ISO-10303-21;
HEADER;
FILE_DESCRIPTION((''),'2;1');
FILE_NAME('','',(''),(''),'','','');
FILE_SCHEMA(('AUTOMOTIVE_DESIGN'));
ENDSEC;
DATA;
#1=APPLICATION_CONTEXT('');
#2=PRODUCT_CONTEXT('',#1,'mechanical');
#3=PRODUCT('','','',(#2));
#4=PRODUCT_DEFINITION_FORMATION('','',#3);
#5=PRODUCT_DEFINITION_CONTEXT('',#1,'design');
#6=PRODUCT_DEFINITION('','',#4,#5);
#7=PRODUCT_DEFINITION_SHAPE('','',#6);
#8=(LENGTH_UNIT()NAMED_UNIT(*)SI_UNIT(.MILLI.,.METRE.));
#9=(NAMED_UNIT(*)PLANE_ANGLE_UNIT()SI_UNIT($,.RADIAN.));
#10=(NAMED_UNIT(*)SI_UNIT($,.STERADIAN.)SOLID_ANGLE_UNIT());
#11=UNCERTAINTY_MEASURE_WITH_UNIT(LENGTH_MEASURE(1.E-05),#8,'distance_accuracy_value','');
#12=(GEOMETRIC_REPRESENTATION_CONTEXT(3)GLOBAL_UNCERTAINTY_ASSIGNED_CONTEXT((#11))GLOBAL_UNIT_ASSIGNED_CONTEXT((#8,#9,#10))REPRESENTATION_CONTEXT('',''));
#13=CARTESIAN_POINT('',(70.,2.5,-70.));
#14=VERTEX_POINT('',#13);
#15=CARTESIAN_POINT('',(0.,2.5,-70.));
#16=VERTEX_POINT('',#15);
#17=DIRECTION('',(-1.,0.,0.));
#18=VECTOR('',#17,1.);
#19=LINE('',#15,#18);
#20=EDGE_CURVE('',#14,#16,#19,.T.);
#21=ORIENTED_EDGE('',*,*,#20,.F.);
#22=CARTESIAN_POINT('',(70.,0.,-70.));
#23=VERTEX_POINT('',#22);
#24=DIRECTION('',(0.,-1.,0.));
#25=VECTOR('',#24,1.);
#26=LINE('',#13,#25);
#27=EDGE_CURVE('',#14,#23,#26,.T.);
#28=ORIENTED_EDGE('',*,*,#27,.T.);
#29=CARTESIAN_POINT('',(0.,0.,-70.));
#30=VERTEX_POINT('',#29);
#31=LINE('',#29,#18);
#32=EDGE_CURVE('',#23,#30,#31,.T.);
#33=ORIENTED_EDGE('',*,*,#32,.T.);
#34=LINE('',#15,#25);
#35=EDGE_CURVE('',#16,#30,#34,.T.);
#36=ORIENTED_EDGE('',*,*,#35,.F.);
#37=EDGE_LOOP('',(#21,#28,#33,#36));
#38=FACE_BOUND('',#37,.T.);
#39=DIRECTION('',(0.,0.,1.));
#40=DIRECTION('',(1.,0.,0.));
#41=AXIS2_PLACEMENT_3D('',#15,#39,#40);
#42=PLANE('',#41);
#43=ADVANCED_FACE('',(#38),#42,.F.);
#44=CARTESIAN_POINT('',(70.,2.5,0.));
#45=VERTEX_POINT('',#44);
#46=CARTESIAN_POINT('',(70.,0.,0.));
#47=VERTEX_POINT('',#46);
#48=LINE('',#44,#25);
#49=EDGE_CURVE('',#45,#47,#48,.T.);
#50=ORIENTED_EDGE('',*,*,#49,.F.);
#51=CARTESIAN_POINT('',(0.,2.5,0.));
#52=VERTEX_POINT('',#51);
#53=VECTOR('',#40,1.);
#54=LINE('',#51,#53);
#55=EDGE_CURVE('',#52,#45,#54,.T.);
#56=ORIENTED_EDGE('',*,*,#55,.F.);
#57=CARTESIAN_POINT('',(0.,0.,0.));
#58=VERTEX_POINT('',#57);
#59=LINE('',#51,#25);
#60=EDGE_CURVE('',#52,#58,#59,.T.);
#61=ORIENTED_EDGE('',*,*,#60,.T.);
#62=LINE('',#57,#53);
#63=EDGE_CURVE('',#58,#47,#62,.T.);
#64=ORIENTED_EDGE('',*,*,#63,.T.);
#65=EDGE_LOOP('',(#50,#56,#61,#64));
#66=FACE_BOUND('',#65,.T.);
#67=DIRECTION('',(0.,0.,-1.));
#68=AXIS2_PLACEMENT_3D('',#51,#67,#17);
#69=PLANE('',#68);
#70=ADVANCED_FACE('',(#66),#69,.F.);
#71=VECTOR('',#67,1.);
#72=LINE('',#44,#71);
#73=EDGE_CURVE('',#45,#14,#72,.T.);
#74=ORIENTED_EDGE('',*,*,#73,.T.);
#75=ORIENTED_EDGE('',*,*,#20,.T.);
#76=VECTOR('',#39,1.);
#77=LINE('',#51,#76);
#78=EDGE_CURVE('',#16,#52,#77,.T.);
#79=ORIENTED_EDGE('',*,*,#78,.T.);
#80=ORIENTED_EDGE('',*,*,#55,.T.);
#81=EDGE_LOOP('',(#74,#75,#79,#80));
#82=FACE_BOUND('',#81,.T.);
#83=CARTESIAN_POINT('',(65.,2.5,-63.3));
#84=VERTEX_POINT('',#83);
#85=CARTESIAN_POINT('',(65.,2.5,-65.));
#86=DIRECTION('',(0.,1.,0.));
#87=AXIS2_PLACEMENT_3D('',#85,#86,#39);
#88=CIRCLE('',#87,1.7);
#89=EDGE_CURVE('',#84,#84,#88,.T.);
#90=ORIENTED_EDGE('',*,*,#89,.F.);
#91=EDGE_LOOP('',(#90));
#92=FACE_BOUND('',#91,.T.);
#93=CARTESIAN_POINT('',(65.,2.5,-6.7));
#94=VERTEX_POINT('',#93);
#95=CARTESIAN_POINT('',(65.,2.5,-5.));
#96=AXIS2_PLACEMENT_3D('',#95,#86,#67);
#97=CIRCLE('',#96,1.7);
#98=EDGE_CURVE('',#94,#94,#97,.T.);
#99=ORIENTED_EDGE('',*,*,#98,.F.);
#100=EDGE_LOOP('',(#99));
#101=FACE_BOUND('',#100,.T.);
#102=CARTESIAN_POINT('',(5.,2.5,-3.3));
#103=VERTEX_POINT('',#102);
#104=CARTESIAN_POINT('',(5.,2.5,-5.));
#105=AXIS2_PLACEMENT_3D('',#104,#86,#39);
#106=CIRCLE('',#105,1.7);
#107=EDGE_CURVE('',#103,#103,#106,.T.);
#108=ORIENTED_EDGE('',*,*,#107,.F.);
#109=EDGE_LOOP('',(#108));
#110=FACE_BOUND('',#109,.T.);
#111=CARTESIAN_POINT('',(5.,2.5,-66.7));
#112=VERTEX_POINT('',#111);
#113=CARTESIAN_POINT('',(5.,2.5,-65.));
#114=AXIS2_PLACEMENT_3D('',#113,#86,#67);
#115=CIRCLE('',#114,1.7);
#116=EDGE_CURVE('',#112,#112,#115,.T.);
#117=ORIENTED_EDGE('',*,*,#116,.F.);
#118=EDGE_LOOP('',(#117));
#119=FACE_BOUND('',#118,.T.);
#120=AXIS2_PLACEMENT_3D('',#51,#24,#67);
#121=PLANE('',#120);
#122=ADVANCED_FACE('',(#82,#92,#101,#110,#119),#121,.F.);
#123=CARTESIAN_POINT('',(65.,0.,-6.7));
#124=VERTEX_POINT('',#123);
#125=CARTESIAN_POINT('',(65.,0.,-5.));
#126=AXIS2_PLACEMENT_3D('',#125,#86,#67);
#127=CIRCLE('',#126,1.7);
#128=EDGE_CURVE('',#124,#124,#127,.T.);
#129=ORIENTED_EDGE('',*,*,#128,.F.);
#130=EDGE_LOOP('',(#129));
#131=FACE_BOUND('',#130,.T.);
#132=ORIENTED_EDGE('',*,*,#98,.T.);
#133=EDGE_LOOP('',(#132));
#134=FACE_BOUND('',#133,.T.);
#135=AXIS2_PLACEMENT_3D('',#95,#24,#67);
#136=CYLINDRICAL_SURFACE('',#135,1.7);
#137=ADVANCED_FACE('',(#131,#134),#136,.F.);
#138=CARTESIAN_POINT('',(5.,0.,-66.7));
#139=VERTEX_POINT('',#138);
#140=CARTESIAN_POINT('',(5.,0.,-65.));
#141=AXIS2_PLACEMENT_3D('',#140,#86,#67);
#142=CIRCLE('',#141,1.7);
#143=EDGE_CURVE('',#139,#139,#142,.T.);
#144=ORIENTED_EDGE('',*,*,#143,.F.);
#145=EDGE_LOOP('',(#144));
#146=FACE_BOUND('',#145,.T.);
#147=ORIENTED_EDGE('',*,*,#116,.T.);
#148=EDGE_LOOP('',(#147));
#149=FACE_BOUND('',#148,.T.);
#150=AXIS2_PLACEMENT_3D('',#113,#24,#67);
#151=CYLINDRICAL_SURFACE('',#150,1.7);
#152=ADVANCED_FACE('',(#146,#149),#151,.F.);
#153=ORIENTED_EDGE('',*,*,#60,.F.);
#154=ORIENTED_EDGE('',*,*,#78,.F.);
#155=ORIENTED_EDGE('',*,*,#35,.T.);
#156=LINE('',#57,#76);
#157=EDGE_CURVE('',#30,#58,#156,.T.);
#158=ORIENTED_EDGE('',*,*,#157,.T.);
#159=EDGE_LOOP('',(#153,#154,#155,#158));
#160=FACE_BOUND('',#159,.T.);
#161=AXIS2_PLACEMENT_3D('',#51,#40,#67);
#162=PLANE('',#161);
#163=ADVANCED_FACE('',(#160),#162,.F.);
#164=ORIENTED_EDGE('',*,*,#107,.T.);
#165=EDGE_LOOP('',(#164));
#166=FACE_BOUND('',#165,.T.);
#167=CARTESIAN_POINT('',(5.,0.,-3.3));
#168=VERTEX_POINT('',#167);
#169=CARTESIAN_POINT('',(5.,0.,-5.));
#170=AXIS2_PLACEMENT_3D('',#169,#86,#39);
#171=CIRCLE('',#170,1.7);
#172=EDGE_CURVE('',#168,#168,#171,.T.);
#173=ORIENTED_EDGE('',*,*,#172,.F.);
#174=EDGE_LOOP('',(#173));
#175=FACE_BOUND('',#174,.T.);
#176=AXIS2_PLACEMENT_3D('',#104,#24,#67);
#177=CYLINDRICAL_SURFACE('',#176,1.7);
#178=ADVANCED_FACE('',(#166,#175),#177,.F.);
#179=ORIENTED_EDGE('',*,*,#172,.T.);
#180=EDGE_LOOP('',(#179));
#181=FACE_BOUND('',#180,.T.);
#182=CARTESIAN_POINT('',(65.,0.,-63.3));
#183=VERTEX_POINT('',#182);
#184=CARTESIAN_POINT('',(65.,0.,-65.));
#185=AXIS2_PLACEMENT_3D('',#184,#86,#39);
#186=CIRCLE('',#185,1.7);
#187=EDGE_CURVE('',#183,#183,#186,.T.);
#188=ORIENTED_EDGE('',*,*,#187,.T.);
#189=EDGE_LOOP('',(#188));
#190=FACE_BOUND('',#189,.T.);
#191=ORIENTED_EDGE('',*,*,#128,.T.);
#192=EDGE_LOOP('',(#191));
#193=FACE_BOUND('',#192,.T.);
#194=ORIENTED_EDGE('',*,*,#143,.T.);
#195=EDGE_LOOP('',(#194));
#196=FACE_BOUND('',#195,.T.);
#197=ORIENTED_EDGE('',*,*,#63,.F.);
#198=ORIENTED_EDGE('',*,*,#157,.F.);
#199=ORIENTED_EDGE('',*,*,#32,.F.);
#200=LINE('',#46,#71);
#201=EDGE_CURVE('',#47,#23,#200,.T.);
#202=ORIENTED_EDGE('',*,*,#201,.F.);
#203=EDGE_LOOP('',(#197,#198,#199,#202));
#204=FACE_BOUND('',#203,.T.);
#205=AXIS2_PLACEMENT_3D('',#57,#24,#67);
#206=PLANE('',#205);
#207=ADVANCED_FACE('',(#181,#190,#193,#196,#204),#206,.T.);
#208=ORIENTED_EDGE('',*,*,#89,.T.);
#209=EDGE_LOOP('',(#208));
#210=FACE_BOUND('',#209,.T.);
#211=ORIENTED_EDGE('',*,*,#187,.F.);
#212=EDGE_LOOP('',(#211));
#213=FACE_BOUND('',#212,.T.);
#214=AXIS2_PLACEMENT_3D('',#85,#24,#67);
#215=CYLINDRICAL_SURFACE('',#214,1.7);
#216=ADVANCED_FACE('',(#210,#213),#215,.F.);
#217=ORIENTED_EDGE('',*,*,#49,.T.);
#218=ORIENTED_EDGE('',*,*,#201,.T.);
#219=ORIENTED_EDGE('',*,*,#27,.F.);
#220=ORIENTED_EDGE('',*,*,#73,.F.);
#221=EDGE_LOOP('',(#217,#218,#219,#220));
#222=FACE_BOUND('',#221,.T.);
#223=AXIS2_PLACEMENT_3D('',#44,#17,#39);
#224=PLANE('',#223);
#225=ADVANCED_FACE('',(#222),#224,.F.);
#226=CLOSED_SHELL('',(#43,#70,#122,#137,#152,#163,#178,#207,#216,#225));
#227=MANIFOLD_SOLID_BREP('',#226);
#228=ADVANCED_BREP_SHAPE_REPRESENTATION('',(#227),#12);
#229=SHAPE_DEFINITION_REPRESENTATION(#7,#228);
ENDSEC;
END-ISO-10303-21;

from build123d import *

# Parameters (mm, degrees)
SKETCH1_W   = 70
SKETCH1_H   = 70
SKETCH1_R   = 1.7
PLATE_DEPTH = 2.5


with BuildPart() as part:
    # Sketch1 → Plate (new body)
    with BuildSketch(Plane(origin=(0, 0, 0), x_dir=(1, 0, 0), z_dir=(0, 1, 0))):
        with Locations((35, 35)):
            Rectangle(SKETCH1_W, SKETCH1_H)
        with Locations(Location((65, 65, 0), (0, 0, 270))):
            Circle(SKETCH1_R, mode=Mode.SUBTRACT)
        with Locations(Location((5, 65, 0), (0, 0, 90))):
            Circle(SKETCH1_R, mode=Mode.SUBTRACT)
        with Locations(Location((65, 5, 0), (0, 0, 90))):
            Circle(SKETCH1_R, mode=Mode.SUBTRACT)
        with Locations(Location((5, 5, 0), (0, 0, 270))):
            Circle(SKETCH1_R, mode=Mode.SUBTRACT)
    extrude(amount=PLATE_DEPTH)


solid = part.part
